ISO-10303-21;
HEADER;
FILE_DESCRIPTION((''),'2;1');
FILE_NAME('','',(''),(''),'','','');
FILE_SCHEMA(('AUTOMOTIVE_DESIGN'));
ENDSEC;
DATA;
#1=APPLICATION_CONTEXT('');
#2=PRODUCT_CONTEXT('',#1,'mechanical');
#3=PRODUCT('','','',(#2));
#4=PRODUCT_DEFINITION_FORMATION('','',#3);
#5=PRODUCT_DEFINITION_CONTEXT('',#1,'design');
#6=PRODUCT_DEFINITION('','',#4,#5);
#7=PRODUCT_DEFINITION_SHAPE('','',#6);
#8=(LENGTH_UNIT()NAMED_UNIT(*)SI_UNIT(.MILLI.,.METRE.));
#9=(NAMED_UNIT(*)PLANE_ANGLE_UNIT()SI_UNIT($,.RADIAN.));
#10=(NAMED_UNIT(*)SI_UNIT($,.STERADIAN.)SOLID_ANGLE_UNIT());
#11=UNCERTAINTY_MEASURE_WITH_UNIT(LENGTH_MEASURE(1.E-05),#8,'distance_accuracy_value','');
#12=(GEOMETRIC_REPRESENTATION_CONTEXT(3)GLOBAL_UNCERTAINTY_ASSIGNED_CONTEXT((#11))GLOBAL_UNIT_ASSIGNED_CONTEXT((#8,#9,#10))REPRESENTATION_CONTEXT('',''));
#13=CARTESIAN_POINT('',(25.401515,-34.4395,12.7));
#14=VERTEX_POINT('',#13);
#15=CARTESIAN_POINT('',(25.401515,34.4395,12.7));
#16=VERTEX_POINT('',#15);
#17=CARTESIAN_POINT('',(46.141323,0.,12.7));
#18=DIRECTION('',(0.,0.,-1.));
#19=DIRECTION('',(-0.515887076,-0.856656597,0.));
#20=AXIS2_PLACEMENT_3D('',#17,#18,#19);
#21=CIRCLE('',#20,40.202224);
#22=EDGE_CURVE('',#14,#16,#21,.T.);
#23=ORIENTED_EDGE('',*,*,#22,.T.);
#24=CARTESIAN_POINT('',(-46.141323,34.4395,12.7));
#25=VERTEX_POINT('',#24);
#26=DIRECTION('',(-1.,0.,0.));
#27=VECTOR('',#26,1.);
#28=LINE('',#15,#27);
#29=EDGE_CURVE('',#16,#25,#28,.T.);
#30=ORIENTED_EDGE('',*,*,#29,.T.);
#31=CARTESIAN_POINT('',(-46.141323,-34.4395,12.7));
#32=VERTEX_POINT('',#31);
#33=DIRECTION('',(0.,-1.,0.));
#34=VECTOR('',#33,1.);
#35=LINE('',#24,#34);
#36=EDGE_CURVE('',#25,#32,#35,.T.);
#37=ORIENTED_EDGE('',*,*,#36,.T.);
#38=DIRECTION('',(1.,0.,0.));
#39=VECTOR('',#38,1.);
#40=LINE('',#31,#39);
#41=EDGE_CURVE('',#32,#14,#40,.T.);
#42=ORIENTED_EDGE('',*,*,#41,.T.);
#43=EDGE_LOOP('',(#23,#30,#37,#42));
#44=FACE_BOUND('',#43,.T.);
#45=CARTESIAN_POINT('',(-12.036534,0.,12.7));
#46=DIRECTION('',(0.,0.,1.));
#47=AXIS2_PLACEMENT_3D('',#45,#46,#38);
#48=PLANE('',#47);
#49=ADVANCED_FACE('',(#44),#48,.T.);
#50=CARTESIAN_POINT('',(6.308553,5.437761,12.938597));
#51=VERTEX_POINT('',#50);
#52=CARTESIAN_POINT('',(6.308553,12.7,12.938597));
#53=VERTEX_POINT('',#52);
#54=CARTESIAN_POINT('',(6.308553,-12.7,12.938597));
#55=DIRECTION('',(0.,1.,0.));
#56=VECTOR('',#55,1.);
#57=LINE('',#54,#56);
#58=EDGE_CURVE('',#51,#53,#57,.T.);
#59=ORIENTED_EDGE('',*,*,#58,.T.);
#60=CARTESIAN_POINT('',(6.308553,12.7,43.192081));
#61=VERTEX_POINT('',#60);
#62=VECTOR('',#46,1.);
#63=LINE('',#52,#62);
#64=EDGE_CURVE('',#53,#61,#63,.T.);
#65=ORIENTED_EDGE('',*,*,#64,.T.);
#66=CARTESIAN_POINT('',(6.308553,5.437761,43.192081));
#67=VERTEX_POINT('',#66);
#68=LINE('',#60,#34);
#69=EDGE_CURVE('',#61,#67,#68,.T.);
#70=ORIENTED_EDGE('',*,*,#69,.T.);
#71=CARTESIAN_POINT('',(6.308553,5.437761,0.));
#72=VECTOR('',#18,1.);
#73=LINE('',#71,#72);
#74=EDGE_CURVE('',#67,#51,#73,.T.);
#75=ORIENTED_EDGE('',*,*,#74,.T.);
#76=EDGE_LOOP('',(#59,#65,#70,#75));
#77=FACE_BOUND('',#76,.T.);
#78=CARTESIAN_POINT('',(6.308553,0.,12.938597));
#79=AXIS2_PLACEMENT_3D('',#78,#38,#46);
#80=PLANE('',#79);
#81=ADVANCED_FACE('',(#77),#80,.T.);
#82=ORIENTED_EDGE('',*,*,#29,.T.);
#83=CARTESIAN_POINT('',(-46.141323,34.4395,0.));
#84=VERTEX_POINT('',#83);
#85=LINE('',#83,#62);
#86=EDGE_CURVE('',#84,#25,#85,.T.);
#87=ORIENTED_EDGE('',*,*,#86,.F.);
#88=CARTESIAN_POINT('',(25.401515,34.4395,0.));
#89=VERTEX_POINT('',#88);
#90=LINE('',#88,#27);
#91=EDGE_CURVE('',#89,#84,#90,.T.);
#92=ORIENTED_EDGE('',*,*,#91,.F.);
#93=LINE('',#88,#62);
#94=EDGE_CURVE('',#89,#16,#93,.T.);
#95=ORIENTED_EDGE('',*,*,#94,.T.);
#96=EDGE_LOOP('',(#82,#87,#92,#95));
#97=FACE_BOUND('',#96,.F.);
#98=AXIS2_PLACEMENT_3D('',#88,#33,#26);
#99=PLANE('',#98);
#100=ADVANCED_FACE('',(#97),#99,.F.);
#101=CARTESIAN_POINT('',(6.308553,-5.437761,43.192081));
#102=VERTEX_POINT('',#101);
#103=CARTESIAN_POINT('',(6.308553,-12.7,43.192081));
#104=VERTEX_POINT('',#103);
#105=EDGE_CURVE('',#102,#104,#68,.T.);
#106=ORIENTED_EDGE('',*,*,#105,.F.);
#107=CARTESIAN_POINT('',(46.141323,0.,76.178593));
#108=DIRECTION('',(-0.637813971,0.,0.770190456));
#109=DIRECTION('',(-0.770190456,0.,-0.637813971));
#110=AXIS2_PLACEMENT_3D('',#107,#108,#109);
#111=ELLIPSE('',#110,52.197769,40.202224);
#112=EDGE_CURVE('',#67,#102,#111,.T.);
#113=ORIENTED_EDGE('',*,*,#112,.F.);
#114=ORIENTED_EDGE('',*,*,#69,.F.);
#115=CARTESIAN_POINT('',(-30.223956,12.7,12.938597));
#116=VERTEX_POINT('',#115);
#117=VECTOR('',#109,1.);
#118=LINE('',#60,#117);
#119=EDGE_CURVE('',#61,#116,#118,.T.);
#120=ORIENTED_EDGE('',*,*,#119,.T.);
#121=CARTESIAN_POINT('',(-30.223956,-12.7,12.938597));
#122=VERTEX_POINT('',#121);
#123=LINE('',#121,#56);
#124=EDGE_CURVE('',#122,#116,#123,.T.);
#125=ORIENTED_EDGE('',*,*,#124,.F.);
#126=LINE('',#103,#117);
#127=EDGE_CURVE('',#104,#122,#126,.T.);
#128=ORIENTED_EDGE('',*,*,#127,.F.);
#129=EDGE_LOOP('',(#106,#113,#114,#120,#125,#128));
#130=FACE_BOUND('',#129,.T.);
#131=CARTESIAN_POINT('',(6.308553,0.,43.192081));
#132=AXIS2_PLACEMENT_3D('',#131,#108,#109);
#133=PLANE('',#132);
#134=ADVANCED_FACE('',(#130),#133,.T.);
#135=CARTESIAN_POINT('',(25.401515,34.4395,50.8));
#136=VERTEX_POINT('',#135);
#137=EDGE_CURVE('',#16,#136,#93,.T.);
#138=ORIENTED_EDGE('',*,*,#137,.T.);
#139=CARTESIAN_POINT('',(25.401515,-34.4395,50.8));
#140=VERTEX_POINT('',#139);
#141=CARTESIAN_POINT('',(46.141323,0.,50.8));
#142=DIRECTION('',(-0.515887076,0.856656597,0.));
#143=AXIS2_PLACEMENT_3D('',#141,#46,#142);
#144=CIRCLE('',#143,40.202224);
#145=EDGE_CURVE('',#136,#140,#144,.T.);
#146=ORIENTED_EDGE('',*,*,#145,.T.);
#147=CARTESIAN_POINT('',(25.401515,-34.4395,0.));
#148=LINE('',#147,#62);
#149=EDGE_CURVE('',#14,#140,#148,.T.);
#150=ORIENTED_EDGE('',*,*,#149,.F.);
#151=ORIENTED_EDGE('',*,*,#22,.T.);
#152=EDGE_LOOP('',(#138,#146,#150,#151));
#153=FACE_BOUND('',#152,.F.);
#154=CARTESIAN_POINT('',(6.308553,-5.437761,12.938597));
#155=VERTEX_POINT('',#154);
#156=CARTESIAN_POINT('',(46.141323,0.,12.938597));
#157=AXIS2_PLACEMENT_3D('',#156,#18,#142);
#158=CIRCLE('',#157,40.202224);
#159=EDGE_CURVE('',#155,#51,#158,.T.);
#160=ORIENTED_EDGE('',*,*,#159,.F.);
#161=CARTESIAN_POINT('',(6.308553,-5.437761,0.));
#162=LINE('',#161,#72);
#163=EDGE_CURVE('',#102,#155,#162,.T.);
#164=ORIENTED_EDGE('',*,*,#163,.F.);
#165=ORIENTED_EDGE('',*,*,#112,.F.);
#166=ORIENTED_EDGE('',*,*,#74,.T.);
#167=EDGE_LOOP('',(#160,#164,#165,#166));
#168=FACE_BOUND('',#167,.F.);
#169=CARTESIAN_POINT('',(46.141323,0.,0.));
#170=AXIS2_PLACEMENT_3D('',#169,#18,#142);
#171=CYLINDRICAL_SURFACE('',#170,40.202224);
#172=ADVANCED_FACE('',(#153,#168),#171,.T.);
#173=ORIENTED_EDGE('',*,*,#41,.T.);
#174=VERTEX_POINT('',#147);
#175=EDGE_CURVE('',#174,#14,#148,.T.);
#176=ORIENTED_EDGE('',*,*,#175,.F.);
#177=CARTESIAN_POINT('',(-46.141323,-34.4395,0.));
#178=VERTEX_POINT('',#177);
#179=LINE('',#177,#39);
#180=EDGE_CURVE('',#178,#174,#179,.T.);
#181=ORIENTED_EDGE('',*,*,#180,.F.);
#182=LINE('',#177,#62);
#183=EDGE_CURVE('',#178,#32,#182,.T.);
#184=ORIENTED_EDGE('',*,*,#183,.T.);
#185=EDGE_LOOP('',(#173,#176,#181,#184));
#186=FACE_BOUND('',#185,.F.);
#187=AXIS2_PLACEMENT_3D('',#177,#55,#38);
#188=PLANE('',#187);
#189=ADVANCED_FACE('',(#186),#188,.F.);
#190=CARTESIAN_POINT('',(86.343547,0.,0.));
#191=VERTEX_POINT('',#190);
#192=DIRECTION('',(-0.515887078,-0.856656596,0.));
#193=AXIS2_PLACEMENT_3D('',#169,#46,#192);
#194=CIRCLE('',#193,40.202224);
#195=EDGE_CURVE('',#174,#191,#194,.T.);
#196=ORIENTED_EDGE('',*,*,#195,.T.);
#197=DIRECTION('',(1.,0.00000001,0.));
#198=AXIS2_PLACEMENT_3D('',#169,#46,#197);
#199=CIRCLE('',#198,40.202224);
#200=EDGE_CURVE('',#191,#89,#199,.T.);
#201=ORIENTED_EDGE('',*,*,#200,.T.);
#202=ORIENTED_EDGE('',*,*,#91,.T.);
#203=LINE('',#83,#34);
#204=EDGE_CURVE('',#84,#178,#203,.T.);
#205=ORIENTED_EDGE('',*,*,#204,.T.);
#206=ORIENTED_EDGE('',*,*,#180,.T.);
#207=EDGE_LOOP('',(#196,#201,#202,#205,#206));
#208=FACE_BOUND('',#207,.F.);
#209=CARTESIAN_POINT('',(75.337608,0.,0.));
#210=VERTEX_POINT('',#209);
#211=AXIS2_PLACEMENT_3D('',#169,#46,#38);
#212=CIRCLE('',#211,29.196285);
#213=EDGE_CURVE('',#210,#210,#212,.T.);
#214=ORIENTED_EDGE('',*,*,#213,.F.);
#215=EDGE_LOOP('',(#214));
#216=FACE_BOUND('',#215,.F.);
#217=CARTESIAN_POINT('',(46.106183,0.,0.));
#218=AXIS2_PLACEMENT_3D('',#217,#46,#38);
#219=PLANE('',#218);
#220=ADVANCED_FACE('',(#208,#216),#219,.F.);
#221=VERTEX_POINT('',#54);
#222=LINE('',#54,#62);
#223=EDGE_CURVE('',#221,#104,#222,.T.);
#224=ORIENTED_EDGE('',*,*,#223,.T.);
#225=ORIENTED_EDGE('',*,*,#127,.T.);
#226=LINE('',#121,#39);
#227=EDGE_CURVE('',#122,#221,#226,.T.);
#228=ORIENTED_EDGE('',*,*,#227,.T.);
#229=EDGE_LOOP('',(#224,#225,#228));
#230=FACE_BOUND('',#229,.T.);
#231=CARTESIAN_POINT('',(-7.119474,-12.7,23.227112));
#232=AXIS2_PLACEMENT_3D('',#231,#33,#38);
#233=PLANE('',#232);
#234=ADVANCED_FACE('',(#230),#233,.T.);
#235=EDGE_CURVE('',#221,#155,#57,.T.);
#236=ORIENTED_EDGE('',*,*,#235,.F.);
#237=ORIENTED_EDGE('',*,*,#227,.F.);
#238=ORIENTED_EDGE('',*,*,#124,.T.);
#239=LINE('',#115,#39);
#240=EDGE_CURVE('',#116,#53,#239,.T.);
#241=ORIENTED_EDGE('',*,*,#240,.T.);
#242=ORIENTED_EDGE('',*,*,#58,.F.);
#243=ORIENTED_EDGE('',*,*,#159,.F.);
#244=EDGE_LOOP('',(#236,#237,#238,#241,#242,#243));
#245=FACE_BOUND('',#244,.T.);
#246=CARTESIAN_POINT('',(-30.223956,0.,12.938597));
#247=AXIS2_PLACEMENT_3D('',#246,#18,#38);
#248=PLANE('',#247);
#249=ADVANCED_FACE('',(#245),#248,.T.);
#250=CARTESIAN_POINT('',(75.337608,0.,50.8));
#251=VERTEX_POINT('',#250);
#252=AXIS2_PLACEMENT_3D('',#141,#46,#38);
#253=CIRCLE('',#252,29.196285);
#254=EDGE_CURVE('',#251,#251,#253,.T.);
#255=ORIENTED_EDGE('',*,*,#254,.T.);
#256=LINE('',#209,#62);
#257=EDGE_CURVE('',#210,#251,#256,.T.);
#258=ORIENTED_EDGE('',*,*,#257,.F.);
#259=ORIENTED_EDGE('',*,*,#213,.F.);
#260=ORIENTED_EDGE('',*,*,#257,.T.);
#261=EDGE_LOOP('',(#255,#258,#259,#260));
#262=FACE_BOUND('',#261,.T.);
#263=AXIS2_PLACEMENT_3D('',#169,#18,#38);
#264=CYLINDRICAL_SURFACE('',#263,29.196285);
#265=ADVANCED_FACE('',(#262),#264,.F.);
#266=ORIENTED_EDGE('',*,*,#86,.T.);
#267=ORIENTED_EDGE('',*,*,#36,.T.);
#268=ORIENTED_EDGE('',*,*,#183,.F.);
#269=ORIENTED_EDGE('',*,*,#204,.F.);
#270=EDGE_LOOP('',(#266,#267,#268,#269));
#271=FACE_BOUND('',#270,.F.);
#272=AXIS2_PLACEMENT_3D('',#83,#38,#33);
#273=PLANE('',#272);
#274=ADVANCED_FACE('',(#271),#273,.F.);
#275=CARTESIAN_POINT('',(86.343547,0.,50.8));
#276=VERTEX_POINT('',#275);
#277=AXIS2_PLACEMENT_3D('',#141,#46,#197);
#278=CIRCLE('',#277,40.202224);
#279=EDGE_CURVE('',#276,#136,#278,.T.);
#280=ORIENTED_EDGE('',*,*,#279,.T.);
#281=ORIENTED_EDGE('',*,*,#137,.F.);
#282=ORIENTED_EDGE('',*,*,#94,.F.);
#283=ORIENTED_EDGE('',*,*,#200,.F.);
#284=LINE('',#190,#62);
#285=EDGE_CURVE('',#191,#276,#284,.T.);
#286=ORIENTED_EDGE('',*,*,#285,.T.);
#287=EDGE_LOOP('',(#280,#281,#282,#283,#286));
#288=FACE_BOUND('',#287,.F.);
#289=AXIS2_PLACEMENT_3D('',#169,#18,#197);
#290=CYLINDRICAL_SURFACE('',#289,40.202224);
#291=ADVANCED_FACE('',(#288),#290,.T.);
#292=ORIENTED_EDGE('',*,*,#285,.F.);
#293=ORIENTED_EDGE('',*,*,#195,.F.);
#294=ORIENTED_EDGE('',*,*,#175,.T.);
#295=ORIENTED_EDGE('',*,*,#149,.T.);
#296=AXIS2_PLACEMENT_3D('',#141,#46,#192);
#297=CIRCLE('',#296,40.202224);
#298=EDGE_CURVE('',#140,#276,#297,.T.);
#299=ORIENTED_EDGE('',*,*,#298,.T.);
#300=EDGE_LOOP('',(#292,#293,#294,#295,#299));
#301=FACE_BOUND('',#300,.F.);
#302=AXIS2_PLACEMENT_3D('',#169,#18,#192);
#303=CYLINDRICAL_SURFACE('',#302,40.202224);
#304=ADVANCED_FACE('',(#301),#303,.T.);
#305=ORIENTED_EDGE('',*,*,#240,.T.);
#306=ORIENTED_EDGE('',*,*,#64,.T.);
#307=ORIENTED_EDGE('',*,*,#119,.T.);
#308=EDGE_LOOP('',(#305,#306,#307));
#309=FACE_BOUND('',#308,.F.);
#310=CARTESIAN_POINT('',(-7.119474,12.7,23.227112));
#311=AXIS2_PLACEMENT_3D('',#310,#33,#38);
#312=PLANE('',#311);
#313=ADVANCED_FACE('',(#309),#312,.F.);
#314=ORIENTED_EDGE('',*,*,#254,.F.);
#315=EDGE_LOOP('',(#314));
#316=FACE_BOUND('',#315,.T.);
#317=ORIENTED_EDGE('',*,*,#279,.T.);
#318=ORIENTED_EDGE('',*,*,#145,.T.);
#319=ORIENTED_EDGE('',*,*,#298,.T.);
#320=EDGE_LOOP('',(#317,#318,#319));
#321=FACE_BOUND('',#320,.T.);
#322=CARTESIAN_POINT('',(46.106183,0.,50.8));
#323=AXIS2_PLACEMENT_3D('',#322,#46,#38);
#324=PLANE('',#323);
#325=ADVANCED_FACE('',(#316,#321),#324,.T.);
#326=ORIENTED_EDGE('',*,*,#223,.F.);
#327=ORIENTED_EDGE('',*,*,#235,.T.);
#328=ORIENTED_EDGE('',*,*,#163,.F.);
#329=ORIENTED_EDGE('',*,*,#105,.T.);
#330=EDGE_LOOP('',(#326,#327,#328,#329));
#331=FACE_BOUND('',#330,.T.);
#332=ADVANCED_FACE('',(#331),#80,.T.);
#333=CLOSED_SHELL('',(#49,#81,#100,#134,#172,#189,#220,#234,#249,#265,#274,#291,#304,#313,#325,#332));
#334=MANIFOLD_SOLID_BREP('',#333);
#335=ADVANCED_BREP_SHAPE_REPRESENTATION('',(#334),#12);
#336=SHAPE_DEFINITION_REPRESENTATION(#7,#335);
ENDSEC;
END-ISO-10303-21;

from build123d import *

# Parameters (mm, degrees)
F1_DEPTH = 12.7
F0_R     = 29.196285
F2_DEPTH = 50.8
F4_DEPTH = 12.7


with BuildPart() as f1:
    # F0 (on Top) → F1 (new body)
    with BuildSketch(Plane.XY):
        with BuildLine():
            Line((25.401515, 34.4395), (-46.141323, 34.4395))
            Line((-46.141323, 34.4395), (-46.141323, -34.4395))
            Line((-46.141323, -34.4395), (25.401515, -34.4395))
            ThreePointArc((25.401515, -34.4395), (5.939099, 0), (25.401515, 34.4395))
        make_face()
    extrude(amount=F1_DEPTH)

    # F0 (on Top) → F2 (join)
    with BuildSketch(Plane.XY):
        with BuildLine():
            ThreePointArc((86.343547, 0), (65.920509, 35.000037), (25.401515, 34.4395))
            ThreePointArc((25.401515, 34.4395), (5.939099, 0), (25.401515, -34.4395))
            ThreePointArc((25.401515, -34.4395), (65.920509, -35.000037), (86.343547, 0))
        make_face()
        with Locations((46.141323, 0)):
            Circle(F0_R, mode=Mode.SUBTRACT)
    extrude(amount=F2_DEPTH)

    # F3 (on Front) → F4 (join, symmetric)
    with BuildSketch(Plane.XZ):
        Polygon((6.308553, 12.938597), (6.308553, 43.192081), (-30.223956, 12.938597), align=None)
    extrude(amount=F4_DEPTH, both=True)


solid = f1.part
